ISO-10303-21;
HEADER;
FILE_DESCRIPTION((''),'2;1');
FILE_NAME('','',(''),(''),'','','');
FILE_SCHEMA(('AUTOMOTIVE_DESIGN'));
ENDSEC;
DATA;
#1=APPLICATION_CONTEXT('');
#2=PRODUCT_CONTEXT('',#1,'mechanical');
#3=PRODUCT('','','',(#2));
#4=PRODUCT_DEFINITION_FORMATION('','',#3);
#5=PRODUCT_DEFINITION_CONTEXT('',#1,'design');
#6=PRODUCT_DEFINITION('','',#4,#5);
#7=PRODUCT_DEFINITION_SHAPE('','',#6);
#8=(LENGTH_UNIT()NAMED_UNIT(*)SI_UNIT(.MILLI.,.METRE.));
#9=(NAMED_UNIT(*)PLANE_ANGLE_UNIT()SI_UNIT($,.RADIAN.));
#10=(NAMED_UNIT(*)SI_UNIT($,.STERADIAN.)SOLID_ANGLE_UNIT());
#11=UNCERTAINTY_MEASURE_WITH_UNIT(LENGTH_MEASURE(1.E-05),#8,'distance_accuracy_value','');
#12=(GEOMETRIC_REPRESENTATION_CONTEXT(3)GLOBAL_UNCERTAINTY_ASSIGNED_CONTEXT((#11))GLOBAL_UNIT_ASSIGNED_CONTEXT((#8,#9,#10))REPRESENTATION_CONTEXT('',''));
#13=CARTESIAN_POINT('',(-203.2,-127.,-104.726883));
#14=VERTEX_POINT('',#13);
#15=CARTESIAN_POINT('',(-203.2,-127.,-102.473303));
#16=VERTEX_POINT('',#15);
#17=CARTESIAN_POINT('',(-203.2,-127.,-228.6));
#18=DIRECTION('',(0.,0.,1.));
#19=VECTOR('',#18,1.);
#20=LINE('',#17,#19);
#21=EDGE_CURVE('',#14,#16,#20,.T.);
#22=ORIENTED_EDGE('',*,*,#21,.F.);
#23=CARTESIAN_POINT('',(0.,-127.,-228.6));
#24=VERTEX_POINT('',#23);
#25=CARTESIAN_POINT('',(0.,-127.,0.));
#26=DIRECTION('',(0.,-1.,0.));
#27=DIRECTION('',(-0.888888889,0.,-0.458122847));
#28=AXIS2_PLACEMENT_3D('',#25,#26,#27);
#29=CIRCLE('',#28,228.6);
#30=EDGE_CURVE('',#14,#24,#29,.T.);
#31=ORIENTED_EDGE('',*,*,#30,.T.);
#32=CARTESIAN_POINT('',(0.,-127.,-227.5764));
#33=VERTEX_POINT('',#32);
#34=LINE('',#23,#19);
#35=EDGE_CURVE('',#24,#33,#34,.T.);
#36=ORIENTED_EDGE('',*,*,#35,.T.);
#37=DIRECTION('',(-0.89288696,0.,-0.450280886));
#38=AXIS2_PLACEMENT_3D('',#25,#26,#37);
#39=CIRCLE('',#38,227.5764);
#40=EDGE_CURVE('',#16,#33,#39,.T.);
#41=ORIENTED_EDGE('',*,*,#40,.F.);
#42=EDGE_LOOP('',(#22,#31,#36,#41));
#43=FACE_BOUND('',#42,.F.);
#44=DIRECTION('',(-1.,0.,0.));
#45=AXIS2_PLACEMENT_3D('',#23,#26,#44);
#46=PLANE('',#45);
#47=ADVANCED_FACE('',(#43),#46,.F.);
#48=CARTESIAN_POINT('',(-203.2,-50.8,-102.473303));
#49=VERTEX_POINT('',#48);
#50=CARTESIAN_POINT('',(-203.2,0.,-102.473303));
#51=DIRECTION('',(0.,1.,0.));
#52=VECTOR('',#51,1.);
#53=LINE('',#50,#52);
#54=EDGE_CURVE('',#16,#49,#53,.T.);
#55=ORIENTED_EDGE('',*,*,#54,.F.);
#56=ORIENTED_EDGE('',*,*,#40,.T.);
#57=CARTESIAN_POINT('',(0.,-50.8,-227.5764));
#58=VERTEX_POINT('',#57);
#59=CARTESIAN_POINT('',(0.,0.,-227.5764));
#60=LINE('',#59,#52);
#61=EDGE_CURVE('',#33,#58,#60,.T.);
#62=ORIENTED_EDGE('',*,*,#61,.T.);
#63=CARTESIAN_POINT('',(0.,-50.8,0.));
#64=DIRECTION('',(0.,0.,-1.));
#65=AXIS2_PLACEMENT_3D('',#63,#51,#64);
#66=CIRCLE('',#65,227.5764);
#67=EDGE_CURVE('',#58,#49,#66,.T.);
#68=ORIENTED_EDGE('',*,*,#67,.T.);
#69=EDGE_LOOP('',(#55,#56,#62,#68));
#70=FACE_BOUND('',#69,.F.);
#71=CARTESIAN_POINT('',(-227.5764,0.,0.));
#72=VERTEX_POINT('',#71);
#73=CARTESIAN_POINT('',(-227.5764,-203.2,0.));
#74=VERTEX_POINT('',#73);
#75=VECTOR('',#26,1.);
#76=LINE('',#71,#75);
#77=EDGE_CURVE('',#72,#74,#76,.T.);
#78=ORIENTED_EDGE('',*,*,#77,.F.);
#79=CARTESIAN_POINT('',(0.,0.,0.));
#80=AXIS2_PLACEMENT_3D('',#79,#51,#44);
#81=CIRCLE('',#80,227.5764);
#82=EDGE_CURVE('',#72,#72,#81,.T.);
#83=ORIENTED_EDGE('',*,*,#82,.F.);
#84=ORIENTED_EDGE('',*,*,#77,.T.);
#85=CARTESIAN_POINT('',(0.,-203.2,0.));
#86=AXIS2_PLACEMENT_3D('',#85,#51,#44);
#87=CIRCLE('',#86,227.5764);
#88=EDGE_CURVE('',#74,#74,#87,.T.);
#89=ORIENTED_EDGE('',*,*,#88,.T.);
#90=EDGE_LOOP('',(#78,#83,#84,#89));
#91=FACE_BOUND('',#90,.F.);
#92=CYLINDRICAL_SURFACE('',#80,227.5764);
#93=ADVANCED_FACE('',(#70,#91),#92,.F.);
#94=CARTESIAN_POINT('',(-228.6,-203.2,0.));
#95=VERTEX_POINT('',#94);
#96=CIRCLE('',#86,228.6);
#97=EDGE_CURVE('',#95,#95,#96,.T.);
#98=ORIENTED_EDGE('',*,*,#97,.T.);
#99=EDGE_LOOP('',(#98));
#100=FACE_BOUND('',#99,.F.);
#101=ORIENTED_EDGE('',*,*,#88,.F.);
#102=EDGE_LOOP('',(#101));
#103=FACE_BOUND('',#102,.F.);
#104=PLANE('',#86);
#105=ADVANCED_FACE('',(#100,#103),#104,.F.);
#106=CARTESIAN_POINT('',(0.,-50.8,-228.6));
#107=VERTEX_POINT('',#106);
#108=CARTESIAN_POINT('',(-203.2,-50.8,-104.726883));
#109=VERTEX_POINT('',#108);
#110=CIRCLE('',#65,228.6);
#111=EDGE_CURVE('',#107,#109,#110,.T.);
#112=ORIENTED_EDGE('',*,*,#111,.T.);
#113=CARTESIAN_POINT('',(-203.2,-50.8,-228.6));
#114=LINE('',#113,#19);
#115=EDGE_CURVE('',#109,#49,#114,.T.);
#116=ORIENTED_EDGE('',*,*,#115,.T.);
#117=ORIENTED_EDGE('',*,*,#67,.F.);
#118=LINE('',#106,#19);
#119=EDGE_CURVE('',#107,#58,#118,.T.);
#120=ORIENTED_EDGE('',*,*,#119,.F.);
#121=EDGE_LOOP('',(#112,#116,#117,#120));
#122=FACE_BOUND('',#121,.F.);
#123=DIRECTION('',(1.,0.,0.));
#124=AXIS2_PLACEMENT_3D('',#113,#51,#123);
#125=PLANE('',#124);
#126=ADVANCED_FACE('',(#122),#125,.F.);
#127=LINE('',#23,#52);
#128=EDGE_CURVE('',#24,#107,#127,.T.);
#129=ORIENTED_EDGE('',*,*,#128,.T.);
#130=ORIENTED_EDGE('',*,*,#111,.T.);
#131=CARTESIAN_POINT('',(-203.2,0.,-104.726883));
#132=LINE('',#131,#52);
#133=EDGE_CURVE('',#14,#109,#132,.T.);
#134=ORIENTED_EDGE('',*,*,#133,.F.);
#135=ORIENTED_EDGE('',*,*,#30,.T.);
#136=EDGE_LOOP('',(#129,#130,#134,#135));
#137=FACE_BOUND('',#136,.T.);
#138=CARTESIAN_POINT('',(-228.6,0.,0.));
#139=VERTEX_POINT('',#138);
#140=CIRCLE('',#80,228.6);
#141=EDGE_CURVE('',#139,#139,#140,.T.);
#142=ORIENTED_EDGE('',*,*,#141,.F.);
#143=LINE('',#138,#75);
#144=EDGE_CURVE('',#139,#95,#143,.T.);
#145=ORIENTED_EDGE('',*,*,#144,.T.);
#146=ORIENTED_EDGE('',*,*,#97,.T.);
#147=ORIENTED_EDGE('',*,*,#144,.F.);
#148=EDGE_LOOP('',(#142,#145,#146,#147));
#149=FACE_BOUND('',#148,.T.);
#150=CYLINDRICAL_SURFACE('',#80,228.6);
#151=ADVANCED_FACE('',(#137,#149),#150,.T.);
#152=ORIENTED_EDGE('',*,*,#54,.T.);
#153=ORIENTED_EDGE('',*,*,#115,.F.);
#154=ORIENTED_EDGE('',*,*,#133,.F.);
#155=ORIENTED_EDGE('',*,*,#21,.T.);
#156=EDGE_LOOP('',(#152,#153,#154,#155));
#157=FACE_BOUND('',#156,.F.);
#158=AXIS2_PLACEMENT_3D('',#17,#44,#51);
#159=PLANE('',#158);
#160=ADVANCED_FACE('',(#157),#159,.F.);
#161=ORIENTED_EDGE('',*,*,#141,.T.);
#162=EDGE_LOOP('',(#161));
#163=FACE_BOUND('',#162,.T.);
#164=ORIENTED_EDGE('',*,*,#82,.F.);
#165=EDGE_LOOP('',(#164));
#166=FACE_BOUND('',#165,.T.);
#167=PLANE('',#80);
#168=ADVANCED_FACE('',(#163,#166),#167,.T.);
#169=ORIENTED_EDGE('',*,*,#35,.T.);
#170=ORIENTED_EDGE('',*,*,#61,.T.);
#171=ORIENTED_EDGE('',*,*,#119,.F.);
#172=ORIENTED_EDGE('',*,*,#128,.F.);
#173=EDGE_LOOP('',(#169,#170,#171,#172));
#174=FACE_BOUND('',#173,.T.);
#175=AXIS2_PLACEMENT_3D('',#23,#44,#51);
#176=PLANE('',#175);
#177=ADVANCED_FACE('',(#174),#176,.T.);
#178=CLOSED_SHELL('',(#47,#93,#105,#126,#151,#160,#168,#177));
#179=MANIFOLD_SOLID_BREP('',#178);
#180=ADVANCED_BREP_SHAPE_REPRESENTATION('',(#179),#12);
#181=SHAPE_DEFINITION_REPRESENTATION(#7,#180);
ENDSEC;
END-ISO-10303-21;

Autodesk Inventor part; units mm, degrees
ref_plane "YZ Plane" through (0, 0, 0) normal (1, 0, 0) x (0, 1, 0)
ref_plane "XZ Plane" through (0, 0, 0) normal (0, 1, 0) x (-1, 0, 0)
ref_plane "XY Plane" through (0, 0, 0) normal (0, 0, 1) x (1, 0, 0)
sketch "Sketch1" plane through (0, 0, 0) normal (0, 1, 0) x (-1, 0, 0)
  circle A0 centre (0, 0) radius 228.6
  circle A1 centre (0, 0) radius 227.5764
  line L0 (0, 0) -> (0, 228.6) construction
  line L1 (0, 0) -> (-228.6, 0) construction
  line L2 (0, 0) -> (228.6, 0) construction
  line L3 (0, 0) -> (0, -228.6) construction
  dimension "d0" = 1.0236
  dimension "d1" = 457.2
ref_plane "Work Plane1" through (0, 0, 228.6) normal (0, 0, 1) x (1, 0, 0)
ref_plane "Work Plane2" through (-228.6, 0, 0) normal (-1, 0, 0) x (0, -1, 0)
ref_plane "Work Plane3" through (0, 0, -228.6) normal (0, 0, -1) x (-1, 0, 0)
ref_plane "Work Plane4" through (228.6, 0, 0) normal (1, 0, 0) x (0, 1, 0)
extrude "Extrusion1" add sketch "Sketch1" against normal blind 203.2
sketch "Sketch2" plane through (0, 0, -228.6) normal (0, 0, -1) x (-1, 0, 0)
  line L0 (-228.6, -203.2) -> (228.6, -203.2) construction
  line L1 (0, 0) -> (0, -50.8) construction
  line L2 (0, -127) -> (0, -50.8) construction
  line L3 (0, -127) -> (25.4, -127)
  line L4 (25.4, -127) -> (25.4, -50.8)
  line L5 (25.4, -50.8) -> (0, -50.8)
  line L6 (0, -127) -> (0, -50.8)
  line L7 (-228.6, 0) -> (-228.6, -203.2) projected
  point P0 (228.6, 0)
  dimension "d4" = 50.8
  dimension "d9" = 76.2
  dimension "d10" = 25.4
extrude "Extrusion2" cut sketch "Sketch2" against normal blind 228.6
sketch "Sketch3" plane through (0, 0, -228.6) normal (0, 0, -1) x (-1, 0, 0)
  line L0 (0, -127) -> (25.4, -127) projected
  line L1 (203.2, -50.8) -> (0, -50.8)
  line L2 (0, -50.8) -> (0, -127)
  line L3 (0, -127) -> (203.2, -127)
  line L4 (203.2, -127) -> (203.2, -50.8)
  point P0 (0, 0)
  point P1 (203.2, -133.35)
extrude "Extrusion3" cut sketch "Sketch3" against normal blind 228.6
properties part number "Cyclone Main Straight Metal"
